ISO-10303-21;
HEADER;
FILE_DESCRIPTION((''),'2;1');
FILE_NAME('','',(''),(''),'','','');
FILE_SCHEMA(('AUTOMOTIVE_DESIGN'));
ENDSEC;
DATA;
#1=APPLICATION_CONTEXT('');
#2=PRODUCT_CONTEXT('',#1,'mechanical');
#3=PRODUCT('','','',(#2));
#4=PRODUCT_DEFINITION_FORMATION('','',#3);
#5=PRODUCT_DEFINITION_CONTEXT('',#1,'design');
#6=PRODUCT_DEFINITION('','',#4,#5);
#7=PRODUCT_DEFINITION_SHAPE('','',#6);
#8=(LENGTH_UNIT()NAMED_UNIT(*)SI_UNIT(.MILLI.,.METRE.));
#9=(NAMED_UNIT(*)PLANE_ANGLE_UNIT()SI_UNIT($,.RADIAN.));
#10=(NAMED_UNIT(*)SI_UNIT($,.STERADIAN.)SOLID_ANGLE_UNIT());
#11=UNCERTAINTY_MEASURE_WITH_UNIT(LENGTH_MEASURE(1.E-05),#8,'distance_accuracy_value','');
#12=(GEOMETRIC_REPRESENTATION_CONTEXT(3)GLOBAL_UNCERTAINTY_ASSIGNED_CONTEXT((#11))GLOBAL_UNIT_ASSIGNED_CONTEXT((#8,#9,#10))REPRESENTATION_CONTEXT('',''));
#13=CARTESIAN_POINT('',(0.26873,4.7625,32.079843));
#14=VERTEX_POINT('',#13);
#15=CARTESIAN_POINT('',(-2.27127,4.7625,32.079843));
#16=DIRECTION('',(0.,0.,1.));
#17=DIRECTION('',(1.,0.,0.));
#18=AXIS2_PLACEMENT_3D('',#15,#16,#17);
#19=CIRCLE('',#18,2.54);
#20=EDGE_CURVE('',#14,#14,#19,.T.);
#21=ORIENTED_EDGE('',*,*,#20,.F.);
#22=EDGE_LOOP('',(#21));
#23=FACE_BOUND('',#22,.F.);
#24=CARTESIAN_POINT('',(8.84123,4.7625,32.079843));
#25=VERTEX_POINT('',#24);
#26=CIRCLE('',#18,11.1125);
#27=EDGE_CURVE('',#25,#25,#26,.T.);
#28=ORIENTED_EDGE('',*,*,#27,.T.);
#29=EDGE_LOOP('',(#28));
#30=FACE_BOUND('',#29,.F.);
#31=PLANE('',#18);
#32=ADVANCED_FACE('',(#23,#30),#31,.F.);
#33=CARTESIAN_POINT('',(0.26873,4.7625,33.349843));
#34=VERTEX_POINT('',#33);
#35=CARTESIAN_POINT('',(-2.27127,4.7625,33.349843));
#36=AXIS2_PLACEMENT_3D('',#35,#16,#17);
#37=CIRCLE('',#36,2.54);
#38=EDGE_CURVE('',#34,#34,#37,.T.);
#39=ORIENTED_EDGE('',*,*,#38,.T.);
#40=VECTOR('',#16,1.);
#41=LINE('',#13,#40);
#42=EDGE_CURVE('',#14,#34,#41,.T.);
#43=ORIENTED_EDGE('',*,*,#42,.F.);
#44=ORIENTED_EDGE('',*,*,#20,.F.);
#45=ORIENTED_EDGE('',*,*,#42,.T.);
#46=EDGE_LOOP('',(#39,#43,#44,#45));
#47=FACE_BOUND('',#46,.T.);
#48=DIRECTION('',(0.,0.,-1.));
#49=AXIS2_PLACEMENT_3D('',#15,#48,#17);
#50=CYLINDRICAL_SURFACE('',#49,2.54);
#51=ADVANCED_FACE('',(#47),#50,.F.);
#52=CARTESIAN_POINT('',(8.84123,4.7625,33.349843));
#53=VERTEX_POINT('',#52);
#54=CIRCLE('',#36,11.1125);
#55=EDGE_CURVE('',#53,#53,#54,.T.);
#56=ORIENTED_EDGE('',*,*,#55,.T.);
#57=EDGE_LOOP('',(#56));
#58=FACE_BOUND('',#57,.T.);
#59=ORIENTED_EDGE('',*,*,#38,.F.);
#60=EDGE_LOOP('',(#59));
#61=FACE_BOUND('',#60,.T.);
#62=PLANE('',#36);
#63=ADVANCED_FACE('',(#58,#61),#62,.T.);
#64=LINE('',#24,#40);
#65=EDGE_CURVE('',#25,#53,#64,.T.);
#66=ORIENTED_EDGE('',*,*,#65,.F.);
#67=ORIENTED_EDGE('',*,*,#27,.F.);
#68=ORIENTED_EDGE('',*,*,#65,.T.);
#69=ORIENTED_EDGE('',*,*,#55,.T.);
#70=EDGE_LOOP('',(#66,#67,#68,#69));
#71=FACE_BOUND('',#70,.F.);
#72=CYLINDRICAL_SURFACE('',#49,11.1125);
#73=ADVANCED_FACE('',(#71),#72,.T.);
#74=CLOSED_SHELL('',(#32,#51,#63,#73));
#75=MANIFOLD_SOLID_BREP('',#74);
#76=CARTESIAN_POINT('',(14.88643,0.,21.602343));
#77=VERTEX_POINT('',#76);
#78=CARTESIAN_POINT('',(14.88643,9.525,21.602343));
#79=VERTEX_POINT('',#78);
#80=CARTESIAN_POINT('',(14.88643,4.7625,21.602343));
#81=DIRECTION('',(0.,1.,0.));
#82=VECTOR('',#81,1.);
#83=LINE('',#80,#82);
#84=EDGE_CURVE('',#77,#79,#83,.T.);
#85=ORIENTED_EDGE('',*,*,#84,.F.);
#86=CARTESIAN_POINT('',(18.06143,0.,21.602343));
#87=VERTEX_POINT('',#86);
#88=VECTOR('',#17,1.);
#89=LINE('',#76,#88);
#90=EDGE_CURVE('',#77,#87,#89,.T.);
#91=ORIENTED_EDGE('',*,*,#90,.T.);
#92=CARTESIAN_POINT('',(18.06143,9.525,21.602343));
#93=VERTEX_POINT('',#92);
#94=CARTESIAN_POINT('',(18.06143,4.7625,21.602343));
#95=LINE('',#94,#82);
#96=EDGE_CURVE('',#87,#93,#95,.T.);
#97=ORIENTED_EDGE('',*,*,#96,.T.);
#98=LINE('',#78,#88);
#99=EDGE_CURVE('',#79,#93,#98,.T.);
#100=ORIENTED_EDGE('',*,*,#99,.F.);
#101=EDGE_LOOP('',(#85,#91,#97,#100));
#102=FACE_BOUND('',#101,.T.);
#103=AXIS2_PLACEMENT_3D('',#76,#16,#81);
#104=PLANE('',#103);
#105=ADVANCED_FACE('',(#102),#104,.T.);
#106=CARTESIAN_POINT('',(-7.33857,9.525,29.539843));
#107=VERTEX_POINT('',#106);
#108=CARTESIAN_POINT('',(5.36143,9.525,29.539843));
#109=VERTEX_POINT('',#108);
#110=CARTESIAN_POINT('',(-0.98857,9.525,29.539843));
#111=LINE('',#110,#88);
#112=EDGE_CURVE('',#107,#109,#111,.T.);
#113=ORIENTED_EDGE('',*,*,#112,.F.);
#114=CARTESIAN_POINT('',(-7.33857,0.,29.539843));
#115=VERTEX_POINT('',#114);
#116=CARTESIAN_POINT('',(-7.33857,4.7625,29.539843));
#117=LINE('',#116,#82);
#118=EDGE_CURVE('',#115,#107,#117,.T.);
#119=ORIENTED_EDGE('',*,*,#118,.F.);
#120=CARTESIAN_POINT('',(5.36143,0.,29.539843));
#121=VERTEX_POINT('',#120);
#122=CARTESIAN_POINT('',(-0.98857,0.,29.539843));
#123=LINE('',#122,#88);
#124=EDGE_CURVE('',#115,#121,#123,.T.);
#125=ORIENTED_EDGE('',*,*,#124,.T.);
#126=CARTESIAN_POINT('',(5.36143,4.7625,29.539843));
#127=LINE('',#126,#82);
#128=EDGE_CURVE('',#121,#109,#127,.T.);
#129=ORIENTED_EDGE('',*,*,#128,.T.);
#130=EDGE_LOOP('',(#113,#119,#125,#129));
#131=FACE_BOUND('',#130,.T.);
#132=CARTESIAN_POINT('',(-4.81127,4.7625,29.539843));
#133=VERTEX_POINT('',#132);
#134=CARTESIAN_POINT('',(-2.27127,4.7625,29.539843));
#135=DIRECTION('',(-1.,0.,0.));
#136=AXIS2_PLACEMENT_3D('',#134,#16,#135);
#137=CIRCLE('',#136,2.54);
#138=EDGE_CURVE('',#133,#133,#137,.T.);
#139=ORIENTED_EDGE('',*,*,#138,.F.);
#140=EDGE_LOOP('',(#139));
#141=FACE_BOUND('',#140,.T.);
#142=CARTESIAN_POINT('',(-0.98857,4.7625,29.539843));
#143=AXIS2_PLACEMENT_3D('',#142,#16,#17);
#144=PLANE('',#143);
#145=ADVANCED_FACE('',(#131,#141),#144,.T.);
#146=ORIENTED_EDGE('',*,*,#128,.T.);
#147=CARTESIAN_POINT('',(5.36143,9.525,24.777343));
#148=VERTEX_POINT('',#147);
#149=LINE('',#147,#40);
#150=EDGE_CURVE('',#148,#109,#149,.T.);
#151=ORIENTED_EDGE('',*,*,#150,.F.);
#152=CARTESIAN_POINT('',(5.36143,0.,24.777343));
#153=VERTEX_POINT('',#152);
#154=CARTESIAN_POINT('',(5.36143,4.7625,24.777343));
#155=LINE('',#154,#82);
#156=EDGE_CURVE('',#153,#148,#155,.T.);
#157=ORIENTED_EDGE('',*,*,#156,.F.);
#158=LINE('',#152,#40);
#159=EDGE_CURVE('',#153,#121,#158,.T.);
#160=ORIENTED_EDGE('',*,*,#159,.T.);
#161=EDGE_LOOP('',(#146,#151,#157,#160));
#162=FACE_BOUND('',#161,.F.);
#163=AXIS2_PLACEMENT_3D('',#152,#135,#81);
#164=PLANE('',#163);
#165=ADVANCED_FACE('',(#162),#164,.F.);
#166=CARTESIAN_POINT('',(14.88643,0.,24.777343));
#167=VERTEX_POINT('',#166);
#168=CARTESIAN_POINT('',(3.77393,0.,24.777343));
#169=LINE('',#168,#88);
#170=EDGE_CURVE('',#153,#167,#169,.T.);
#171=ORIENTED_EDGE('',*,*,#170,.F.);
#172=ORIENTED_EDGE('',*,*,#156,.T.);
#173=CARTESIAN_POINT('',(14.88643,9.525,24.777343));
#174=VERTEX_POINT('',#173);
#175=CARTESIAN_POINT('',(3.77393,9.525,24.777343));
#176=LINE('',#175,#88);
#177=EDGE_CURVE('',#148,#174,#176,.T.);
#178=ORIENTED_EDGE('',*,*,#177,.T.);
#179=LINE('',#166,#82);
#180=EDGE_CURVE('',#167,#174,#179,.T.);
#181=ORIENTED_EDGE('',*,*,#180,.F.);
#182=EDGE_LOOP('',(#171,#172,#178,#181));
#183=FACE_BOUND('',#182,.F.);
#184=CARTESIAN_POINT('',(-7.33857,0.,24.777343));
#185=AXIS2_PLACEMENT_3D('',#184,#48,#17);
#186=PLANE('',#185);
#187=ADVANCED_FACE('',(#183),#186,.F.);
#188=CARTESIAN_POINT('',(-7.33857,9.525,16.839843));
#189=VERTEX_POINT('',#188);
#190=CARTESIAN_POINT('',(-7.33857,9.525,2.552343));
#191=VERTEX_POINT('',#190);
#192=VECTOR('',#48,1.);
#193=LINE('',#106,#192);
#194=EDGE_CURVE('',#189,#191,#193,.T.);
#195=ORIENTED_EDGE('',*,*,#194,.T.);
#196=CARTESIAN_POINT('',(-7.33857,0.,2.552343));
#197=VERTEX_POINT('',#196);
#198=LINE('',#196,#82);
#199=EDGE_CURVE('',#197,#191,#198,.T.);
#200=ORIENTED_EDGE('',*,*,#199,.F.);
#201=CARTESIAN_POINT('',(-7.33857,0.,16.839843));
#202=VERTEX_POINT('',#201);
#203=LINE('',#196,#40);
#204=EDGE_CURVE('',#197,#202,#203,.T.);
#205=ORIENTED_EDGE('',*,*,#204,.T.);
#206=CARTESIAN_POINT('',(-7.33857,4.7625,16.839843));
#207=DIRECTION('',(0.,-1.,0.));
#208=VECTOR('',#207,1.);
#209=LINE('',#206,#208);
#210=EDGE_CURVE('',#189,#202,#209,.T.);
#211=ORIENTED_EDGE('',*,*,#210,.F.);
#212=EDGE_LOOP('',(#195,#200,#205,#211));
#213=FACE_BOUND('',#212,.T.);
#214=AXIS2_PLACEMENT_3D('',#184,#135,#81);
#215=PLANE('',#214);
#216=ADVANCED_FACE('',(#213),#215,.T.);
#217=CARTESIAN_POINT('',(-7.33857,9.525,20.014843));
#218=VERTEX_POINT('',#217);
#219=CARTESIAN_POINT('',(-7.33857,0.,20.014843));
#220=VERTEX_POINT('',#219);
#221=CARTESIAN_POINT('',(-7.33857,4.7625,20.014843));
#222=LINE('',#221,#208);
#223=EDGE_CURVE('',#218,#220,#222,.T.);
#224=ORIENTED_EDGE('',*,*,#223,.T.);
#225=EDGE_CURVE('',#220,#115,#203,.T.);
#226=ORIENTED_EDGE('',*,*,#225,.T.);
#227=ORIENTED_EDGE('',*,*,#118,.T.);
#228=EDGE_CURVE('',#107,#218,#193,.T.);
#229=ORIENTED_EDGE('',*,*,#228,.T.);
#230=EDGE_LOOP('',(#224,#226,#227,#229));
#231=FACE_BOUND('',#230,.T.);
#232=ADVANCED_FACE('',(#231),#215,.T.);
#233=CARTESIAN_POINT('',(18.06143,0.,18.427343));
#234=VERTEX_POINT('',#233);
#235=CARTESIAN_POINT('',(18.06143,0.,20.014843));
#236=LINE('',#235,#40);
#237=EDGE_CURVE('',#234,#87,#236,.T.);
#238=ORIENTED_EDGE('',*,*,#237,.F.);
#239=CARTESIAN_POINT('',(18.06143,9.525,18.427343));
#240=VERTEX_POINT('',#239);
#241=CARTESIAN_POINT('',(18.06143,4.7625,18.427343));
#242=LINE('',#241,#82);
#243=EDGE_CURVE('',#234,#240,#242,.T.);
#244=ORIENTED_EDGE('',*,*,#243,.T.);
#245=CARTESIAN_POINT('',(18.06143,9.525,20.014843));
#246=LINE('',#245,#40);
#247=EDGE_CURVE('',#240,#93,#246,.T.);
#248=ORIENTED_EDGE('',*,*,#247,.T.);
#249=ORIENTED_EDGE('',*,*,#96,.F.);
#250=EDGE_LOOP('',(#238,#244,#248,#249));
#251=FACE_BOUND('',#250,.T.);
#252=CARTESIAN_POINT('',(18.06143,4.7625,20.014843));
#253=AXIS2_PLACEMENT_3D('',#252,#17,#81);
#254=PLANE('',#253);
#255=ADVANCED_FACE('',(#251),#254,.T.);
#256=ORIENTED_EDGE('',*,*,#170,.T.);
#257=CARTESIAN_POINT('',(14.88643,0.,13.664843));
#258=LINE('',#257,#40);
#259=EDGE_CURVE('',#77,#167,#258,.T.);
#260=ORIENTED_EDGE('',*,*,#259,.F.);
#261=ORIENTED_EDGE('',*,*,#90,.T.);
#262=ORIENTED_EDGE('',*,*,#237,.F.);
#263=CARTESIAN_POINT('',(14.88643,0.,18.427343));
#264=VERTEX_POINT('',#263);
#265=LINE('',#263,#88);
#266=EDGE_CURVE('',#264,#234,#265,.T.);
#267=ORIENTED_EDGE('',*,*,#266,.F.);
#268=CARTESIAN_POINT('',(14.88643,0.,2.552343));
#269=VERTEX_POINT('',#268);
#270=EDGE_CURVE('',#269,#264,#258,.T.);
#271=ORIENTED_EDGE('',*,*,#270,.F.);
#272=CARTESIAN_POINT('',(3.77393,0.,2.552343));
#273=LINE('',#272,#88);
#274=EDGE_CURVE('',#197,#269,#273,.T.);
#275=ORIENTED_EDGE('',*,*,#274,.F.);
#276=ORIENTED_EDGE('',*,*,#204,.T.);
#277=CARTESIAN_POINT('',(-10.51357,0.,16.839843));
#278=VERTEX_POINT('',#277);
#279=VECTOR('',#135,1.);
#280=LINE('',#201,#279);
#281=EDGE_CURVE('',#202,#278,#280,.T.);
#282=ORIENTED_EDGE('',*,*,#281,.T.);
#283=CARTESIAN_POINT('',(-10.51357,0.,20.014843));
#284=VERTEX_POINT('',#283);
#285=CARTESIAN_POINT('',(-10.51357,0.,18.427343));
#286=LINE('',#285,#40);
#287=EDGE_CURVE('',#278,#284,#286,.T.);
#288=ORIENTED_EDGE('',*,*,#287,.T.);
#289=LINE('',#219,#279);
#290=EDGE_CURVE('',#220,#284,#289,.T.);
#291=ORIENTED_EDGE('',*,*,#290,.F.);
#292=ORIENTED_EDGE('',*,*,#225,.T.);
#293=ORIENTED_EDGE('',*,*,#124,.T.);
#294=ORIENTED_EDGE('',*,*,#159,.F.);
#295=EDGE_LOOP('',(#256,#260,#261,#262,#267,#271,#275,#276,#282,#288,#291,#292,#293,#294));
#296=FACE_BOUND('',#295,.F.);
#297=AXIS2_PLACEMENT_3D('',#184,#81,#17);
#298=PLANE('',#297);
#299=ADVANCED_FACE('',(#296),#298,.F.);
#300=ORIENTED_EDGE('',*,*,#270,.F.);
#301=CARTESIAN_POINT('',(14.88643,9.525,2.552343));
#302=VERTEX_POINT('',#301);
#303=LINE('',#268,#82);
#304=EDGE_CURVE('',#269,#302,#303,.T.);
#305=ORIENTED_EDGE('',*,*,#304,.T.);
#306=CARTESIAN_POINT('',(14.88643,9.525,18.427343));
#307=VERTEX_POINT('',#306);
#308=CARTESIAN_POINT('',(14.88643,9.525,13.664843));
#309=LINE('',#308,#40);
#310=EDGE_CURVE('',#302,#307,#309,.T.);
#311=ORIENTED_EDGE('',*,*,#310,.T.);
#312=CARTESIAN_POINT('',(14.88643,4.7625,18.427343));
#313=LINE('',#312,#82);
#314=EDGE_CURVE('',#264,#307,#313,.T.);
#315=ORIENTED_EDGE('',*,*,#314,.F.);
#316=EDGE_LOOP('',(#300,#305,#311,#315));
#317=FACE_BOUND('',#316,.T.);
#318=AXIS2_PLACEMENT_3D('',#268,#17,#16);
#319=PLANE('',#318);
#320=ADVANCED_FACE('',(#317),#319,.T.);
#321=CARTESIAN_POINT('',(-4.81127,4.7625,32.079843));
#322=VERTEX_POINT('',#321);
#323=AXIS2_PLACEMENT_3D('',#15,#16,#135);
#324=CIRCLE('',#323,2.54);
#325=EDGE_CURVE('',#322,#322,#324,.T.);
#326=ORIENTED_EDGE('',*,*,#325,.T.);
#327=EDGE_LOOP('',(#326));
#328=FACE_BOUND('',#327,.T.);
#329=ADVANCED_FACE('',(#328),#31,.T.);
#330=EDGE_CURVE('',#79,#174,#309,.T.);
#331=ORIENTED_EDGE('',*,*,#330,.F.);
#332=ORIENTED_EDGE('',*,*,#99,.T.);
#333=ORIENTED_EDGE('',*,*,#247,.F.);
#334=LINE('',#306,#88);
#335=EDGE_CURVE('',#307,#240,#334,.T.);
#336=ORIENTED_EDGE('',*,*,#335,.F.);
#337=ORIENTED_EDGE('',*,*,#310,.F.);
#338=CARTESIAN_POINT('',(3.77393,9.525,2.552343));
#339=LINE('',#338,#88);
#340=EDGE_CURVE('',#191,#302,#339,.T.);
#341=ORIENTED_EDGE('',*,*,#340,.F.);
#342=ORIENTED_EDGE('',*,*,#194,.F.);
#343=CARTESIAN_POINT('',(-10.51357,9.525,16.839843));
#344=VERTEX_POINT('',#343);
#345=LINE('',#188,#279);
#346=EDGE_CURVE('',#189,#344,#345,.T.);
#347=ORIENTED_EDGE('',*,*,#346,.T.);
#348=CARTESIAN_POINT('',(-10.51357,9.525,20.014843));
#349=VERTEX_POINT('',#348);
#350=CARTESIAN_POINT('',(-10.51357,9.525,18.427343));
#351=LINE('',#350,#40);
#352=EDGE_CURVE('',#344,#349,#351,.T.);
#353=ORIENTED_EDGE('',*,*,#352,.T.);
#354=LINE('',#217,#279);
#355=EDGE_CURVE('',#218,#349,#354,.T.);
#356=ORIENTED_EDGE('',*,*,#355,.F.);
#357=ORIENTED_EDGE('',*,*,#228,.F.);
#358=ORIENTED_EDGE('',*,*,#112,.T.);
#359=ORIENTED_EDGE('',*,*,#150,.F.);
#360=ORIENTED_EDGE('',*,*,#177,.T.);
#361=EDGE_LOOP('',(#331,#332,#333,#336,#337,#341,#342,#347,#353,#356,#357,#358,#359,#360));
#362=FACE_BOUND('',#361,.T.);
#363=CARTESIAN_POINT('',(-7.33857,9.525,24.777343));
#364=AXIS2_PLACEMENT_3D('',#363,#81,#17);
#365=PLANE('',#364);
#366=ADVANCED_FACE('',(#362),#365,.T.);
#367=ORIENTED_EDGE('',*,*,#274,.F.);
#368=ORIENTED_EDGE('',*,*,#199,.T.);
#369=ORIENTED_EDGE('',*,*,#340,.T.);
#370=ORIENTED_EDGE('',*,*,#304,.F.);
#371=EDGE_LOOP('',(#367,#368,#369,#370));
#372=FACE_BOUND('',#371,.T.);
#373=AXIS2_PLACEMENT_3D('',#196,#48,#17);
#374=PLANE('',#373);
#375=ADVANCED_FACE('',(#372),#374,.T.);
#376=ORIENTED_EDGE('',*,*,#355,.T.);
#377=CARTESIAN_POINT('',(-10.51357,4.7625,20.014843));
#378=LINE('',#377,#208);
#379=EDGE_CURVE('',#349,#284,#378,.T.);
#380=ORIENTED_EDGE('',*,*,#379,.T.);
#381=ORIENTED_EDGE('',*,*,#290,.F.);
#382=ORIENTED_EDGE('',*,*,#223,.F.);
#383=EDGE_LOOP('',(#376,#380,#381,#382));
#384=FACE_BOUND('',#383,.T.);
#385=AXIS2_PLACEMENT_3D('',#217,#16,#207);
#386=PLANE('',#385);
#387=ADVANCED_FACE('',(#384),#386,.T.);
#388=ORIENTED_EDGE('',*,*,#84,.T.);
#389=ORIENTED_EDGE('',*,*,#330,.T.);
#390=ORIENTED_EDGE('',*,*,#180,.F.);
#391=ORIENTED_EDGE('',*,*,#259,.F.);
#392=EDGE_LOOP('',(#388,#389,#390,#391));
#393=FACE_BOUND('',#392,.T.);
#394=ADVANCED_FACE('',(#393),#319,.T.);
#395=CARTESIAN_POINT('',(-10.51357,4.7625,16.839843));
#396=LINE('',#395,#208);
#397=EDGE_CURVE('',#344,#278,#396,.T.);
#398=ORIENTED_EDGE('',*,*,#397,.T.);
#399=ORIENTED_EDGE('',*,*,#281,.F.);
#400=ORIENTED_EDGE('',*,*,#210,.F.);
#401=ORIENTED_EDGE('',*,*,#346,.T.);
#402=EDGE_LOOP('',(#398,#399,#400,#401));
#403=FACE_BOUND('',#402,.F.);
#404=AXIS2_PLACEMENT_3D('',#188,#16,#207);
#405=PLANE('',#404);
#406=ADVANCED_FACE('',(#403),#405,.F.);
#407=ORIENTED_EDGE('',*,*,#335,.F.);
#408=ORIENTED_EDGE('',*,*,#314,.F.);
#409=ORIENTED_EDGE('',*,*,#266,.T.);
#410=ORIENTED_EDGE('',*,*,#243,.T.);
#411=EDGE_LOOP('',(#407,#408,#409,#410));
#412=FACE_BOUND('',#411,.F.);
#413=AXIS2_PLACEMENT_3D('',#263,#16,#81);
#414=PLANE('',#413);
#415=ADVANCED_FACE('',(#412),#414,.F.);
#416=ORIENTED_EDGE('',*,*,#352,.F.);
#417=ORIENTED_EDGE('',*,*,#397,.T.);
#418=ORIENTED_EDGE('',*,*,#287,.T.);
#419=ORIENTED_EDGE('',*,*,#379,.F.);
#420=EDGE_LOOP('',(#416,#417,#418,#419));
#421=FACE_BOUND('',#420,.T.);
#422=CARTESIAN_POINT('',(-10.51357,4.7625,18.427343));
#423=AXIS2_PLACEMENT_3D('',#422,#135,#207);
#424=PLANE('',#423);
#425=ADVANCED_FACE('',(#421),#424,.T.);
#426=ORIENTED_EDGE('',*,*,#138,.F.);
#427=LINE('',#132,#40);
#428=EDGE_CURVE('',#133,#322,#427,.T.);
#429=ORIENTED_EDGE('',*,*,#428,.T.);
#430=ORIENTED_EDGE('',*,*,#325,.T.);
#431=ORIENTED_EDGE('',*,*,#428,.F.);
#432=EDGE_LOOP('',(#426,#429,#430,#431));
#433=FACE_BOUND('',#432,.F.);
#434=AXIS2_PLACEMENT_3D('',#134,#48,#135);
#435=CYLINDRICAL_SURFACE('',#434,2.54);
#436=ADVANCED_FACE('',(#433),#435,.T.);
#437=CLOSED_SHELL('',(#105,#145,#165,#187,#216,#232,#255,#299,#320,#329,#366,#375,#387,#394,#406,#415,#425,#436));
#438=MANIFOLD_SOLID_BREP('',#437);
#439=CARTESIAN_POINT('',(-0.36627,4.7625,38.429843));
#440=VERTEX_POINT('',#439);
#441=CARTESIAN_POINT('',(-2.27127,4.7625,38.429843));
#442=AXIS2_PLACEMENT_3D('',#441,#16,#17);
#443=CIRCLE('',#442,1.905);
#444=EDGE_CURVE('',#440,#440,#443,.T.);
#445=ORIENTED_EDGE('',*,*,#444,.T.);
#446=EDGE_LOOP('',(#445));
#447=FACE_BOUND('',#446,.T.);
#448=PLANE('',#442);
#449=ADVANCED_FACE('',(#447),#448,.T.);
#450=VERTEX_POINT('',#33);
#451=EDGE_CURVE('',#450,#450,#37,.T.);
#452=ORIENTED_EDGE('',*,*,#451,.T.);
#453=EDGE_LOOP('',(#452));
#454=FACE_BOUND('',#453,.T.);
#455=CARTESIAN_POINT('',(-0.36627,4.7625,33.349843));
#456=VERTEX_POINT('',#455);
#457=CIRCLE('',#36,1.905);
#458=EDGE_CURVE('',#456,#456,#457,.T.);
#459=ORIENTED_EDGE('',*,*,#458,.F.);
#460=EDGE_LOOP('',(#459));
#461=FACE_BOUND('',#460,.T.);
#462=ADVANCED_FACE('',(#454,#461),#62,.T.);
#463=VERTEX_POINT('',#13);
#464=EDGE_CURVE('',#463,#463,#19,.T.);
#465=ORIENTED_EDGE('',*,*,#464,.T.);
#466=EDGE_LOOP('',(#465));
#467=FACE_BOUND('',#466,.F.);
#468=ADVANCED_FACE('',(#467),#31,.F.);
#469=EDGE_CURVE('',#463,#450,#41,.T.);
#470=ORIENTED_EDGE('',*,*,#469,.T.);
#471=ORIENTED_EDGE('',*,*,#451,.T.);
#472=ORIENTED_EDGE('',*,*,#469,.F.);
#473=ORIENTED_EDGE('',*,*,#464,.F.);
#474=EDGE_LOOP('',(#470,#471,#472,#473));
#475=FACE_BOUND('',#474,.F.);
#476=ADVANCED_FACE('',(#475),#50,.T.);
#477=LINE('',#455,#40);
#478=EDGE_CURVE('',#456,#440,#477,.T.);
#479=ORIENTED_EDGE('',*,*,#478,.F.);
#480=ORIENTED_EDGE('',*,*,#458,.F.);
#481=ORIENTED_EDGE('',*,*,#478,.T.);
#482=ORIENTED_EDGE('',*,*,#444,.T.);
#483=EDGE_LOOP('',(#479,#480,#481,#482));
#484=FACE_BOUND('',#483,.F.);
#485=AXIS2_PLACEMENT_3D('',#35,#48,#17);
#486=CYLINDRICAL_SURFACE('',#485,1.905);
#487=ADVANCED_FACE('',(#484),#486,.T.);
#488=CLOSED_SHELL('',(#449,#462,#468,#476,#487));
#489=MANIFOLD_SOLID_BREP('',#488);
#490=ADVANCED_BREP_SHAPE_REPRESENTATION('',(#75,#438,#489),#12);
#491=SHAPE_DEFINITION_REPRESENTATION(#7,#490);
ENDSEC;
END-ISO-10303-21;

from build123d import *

# Parameters (mm, degrees)
F0_W      = 22.225
F0_H      = 22.225
F1_DEPTH  = 9.525
F2_W      = 12.7
F2_H      = 9.525
F3_DEPTH  = 4.7625
F4_W      = 9.525
F4_H      = 3.175
F5_DEPTH  = 3.175
F6_W      = 9.525
F6_H      = 3.175
F7_DEPTH  = 3.175
F9_DEPTH  = 2.54
F10_R     = 11.1125
F10_R_2   = 2.54
F11_DEPTH = 1.27
F9_FACE_R = 2.54
F12_DEPTH = 1.27
F13_R     = 1.905
F14_DEPTH = 5.08


with BuildPart() as f1:
    # F0 (on Front) → F1 (new body)
    with BuildSketch(Plane.XZ):
        with Locations((3.77393, 13.664843)):
            Rectangle(F0_W, F0_H)
    extrude(amount=-F1_DEPTH)

    # F2 (on face) → F3 (join)
    with BuildSketch(Plane.XY.offset(24.777343)):
        with Locations((-0.98857, 4.7625)):
            Rectangle(F2_W, F2_H)
    extrude(amount=F3_DEPTH)

    # F4 (on face) → F5 (join)
    with BuildSketch(Plane.YZ.offset(14.88643)):
        with Locations((4.7625, 20.014843)):
            Rectangle(F4_W, F4_H)
    extrude(amount=F5_DEPTH)

    # F6 (on face) → F7 (join)
    with BuildSketch(Plane(origin=(-7.33857, 0, 0), x_dir=(0, -1, 0), z_dir=(-1, 0, 0))):
        with Locations((-4.7625, 18.427343)):
            Rectangle(F6_W, F6_H)
    extrude(amount=F7_DEPTH)

    # F8 (on face) → F9 (join)
    with BuildSketch(Plane.XY.offset(29.539843)):
        with BuildLine():
            ThreePointArc((0.26873, 4.7625), (-2.27127, 7.3025), (-4.81127, 4.7625))
            ThreePointArc((-4.81127, 4.7625), (-2.27127, 2.2225), (0.26873, 4.7625))
        make_face()
    extrude(amount=F9_DEPTH)


with BuildPart() as f11:
    # F10 (on face) → F11 (new body)
    with BuildSketch(Plane.XY.offset(32.079843)):
        with Locations((-2.27127, 4.7625)):
            Circle(F10_R)
        with Locations((-2.27127, 4.7625)):
            Circle(F10_R_2, mode=Mode.SUBTRACT)
    extrude(amount=F11_DEPTH)


with BuildPart() as f12:
    # F9_face (on face) → F12 (new body)
    with BuildSketch(Plane(origin=(-2.27127, 4.7625, 32.079843), x_dir=(1, 0, 0), z_dir=(0, 0, 1))):
        Circle(F9_FACE_R)
    extrude(amount=F12_DEPTH)

    # F13 (on face) → F14 (join)
    with BuildSketch(Plane.XY.offset(33.349843)):
        with Locations((-2.27127, 4.7625)):
            Circle(F13_R)
    extrude(amount=F14_DEPTH)


solid = Compound([f1.part, f11.part, f12.part])
